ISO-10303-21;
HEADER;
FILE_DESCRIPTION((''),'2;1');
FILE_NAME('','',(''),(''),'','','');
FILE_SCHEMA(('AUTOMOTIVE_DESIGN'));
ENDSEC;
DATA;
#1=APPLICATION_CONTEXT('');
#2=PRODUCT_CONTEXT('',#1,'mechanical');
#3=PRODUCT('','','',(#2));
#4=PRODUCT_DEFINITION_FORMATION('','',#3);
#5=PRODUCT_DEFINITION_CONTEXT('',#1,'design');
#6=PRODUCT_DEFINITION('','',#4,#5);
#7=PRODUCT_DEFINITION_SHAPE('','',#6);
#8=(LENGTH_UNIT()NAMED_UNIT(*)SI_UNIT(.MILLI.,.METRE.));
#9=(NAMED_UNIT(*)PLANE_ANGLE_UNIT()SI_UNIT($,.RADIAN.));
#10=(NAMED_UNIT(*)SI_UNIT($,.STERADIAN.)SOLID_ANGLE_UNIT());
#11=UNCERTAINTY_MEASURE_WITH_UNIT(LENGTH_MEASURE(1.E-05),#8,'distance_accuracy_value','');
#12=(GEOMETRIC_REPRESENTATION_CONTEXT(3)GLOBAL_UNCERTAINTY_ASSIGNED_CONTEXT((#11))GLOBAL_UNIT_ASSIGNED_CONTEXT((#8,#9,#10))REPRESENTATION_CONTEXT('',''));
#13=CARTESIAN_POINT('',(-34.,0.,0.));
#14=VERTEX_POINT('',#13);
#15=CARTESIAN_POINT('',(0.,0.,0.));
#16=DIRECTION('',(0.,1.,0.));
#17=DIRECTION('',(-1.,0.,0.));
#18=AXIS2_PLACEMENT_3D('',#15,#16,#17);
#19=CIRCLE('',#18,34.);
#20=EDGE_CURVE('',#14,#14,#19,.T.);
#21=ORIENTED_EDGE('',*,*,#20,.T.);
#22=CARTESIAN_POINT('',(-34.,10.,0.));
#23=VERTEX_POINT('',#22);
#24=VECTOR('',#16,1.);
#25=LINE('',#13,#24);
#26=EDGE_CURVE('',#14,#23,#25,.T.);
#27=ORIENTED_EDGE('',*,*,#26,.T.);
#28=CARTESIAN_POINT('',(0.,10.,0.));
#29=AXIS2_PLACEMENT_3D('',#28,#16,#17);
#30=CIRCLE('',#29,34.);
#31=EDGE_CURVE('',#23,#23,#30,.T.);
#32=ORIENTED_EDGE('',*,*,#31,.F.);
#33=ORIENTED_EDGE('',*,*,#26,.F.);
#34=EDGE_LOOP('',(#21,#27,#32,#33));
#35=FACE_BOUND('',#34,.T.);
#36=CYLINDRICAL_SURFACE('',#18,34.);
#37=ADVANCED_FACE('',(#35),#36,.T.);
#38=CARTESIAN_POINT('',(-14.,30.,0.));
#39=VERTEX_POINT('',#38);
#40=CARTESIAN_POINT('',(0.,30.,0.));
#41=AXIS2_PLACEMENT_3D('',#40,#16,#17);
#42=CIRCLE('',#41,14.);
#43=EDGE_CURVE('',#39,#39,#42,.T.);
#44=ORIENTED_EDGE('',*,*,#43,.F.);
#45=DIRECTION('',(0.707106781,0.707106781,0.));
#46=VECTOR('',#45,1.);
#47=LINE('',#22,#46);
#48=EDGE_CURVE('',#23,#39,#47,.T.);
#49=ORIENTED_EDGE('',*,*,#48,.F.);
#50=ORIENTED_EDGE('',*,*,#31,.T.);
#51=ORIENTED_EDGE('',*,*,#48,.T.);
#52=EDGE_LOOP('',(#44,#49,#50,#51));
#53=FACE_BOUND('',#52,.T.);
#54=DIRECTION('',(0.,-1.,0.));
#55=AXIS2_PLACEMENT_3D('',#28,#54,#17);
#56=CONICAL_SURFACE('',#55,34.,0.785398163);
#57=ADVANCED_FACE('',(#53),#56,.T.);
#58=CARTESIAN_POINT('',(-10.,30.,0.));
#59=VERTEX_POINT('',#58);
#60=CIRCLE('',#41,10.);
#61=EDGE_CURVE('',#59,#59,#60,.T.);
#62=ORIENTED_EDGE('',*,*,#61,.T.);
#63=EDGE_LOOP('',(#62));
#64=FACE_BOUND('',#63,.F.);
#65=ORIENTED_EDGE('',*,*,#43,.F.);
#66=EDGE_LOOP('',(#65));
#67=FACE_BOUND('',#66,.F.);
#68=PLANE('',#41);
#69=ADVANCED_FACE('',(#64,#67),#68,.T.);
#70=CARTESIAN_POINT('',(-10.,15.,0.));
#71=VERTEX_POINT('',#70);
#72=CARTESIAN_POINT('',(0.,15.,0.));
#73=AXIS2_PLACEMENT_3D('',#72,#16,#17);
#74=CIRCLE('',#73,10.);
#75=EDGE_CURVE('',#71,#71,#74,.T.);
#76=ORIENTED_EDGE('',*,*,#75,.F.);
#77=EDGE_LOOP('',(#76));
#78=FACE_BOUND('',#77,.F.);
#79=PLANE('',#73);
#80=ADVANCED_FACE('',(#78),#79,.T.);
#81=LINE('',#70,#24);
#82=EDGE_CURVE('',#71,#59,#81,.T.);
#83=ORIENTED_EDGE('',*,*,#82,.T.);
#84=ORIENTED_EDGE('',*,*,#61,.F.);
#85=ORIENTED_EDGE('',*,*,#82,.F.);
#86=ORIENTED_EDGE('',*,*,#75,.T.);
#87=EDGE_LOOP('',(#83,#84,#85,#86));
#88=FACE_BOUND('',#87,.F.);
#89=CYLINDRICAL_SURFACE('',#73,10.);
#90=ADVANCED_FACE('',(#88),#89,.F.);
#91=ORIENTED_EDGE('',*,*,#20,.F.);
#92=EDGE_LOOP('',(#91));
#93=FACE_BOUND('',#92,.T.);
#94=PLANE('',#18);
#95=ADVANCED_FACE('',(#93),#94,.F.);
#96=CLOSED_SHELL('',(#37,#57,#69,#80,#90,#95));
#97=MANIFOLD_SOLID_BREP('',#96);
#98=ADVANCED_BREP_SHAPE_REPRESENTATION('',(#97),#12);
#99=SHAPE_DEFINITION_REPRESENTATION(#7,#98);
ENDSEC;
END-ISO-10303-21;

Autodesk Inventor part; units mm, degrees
ref_plane "YZ Plane" through (0, 0, 0) normal (1, 0, 0) x (0, 1, 0)
ref_plane "XZ Plane" through (0, 0, 0) normal (0, 1, 0) x (-1, 0, 0)
ref_plane "XY Plane" through (0, 0, 0) normal (0, 0, 1) x (1, 0, 0)
sketch "Esboço1" plane through (0, 0, 0) normal (0, 0, 1) x (1, 0, 0)
  line L0 (0, 0) -> (-34, 0)
  line L1 (-34, 0) -> (-34, 10)
  line L2 (0, 0) -> (0, 15)
  line L3 (0, 15) -> (-10, 15)
  line L4 (-10, 15) -> (-10, 30)
  line L5 (-34, 10) -> (-14, 30)
  line L6 (-10, 30) -> (-14, 30)
  dimension "d0" = 34
  dimension "d1" = 10
  dimension "d2" = 15
  dimension "d3" = 10
  dimension "d4" = 15
  dimension "d5" = 45
revolve "Revolução1" add sketch "Esboço1" angle 360 about axis through (0, 0, 0) along (0, 1, 0)
properties part number "Apoio da Morsa"
